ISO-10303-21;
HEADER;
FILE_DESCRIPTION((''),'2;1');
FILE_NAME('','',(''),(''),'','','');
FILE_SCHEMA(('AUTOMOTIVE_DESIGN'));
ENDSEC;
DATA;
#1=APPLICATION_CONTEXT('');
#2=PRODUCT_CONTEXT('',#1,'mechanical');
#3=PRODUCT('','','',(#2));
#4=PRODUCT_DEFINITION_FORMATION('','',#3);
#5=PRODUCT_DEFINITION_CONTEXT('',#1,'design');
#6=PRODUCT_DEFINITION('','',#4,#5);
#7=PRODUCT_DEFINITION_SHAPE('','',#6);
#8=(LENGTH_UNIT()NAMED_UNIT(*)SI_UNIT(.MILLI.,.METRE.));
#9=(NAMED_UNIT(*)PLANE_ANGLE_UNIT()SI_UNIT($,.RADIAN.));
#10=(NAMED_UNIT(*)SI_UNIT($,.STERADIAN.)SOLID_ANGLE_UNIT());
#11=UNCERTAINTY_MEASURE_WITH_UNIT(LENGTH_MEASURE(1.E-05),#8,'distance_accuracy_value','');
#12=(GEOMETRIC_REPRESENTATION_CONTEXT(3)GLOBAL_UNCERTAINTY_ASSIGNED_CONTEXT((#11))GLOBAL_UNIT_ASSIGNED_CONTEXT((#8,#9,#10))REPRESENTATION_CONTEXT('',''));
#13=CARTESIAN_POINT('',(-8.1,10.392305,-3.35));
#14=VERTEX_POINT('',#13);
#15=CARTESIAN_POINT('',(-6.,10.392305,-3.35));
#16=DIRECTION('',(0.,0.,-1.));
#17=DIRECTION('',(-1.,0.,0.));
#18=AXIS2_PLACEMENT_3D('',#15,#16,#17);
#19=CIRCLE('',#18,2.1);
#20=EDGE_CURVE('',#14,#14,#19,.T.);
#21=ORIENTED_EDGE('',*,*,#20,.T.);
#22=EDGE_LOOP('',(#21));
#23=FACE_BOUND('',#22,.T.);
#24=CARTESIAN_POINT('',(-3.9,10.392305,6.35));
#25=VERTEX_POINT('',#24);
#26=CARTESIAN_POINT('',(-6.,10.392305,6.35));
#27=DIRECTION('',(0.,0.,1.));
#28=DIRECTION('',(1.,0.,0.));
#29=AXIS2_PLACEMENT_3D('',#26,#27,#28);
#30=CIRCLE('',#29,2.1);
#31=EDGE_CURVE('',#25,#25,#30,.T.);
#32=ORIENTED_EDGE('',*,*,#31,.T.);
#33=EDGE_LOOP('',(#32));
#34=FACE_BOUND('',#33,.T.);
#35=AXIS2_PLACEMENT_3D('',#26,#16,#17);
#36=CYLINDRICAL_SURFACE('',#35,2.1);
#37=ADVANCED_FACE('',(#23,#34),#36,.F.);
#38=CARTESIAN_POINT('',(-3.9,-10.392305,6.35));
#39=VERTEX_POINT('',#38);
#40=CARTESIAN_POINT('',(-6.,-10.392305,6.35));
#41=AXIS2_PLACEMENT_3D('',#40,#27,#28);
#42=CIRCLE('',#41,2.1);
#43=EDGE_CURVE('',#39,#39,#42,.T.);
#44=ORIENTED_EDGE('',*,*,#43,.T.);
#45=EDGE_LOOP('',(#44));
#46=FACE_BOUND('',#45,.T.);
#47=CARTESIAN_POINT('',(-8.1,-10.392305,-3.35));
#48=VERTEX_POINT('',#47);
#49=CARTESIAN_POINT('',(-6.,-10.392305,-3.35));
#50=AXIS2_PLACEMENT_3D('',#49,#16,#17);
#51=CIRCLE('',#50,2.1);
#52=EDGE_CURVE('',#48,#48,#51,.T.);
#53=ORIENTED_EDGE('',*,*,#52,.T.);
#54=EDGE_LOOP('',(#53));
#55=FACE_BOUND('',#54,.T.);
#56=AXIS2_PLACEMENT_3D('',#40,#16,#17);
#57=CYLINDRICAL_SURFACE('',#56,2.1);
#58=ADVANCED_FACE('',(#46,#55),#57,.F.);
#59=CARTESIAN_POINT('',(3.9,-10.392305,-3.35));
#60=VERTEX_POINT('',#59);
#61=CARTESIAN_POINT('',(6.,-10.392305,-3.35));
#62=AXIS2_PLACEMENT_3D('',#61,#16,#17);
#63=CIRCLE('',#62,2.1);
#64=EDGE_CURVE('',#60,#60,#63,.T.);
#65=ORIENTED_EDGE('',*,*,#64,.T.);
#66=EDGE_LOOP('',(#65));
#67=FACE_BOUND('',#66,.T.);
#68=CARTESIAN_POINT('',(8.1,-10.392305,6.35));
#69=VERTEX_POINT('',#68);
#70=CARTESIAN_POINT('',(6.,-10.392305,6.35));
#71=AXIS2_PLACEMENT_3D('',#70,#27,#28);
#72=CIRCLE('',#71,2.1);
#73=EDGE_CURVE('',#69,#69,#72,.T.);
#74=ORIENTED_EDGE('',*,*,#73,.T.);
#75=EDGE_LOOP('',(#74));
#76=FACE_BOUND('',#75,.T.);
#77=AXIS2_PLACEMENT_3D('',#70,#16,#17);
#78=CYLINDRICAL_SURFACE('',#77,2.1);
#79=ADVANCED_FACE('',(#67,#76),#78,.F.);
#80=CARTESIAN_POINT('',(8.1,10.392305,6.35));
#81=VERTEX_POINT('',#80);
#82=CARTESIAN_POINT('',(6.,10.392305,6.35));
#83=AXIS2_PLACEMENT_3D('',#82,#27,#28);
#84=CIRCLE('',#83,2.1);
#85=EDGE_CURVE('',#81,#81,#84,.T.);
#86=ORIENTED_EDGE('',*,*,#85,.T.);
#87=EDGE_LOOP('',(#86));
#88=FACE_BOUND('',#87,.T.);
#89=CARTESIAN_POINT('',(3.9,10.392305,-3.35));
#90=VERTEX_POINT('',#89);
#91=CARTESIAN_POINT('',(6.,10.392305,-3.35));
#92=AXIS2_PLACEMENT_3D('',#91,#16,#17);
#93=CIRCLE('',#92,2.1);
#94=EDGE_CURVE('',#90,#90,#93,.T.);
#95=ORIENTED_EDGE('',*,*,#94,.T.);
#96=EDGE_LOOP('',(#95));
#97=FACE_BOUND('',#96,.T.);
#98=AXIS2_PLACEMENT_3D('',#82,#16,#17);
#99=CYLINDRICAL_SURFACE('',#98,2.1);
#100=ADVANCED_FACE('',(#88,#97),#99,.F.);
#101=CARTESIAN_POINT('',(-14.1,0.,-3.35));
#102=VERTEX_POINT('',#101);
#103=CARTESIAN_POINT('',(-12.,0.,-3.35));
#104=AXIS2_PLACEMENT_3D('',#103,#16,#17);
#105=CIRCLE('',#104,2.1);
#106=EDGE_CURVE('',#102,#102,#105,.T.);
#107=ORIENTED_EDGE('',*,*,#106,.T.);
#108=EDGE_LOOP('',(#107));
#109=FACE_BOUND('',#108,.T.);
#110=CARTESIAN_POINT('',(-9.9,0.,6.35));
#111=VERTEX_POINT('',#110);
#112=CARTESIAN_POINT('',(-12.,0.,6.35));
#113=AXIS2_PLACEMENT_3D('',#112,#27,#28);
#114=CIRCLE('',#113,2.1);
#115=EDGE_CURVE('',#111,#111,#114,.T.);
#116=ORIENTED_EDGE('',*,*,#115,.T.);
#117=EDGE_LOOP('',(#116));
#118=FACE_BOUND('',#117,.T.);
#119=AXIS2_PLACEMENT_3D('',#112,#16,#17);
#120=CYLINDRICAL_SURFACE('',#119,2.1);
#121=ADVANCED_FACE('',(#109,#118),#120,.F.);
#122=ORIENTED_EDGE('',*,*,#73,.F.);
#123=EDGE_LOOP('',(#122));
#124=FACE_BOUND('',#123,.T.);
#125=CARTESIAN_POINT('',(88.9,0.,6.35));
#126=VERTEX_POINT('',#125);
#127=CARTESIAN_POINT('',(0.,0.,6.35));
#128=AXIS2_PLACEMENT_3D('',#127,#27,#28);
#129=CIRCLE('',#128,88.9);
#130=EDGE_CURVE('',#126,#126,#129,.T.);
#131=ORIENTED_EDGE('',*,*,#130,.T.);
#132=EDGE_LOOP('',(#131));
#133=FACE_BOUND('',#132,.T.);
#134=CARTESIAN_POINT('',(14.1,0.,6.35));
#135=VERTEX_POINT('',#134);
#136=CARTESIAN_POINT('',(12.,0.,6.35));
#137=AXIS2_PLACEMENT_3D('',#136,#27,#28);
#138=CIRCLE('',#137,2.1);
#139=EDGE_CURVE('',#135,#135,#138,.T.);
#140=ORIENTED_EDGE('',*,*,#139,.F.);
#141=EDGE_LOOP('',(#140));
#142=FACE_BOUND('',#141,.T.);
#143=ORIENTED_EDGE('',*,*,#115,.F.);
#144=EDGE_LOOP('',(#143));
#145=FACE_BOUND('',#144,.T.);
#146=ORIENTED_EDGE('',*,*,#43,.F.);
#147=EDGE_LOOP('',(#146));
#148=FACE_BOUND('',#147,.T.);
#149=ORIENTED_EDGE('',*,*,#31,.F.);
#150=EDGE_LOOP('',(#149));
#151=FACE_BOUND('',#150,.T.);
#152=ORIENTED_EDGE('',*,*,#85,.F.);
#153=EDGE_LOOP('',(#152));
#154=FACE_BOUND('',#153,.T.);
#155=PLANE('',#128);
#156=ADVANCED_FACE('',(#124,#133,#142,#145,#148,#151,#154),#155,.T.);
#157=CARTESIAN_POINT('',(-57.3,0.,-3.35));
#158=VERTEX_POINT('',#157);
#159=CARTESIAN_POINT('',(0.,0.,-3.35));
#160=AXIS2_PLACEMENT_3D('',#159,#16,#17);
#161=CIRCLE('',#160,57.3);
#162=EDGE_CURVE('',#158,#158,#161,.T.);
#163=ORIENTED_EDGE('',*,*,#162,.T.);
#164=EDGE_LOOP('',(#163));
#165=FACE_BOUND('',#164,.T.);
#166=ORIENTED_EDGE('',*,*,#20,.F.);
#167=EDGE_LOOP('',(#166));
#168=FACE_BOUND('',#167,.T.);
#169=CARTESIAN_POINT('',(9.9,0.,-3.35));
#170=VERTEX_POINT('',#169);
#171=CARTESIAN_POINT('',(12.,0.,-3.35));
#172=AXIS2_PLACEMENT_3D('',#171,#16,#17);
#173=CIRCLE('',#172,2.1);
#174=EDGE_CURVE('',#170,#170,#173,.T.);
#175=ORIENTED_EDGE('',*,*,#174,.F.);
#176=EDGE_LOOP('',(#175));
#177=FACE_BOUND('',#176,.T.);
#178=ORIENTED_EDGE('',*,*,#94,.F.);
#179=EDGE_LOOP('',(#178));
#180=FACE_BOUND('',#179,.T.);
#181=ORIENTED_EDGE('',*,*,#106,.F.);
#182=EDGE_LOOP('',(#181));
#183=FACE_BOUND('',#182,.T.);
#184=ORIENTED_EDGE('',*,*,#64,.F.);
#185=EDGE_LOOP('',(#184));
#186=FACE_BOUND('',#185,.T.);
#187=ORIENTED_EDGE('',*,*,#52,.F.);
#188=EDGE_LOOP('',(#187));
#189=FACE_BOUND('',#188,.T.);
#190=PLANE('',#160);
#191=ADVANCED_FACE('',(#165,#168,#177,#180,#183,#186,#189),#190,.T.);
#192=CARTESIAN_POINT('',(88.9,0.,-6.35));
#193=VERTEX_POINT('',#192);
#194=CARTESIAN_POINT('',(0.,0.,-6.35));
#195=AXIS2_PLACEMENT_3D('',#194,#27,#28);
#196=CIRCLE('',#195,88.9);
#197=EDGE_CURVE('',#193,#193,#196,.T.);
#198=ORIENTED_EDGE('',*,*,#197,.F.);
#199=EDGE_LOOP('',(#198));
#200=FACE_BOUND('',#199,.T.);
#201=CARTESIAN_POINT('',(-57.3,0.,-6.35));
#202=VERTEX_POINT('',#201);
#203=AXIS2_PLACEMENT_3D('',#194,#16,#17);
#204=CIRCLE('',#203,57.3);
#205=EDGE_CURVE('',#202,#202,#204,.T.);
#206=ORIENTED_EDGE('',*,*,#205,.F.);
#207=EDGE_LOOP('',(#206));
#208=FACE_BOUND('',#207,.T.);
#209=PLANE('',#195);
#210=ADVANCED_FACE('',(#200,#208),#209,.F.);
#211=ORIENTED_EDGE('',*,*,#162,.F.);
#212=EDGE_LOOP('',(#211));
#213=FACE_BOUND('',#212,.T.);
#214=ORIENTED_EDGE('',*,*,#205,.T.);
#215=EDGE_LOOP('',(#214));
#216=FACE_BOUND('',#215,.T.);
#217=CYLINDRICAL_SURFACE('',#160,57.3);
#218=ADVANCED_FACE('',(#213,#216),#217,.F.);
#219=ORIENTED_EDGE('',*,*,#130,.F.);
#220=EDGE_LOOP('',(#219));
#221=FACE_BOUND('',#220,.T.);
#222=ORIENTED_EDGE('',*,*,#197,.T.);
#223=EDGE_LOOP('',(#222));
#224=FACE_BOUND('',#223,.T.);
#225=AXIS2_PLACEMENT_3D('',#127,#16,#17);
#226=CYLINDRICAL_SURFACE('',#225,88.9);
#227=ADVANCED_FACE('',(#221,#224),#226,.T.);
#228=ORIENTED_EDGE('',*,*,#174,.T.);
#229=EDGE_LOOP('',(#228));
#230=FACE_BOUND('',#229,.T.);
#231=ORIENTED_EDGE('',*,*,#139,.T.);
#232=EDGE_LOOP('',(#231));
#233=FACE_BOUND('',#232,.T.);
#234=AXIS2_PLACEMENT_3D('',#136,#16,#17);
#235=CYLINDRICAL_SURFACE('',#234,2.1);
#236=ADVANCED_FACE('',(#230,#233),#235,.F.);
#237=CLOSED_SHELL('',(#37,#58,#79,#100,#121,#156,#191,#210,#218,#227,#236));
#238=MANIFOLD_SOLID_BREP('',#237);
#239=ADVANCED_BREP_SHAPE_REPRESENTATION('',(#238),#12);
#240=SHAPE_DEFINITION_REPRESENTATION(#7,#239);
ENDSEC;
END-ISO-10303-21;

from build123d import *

# Parameters (mm, degrees)
SKETCH1_R           = 88.9
SKETCH1_R_2         = 2.1
BOSS_EXTRUDE1_DEPTH = 6.35
SKETCH2_R           = 57.3
CUT_EXTRUDE1_DEPTH  = 3


with BuildPart() as part:
    # Sketch1 → Boss-Extrude1 (new, symmetric)
    with BuildSketch(Plane.XY):
        Circle(SKETCH1_R)
        with Locations((-12, 0)):
            Circle(SKETCH1_R_2, mode=Mode.SUBTRACT)
        with Locations((-6, 10.392304845)):
            Circle(SKETCH1_R_2, mode=Mode.SUBTRACT)
        with Locations((6, 10.392304845)):
            Circle(SKETCH1_R_2, mode=Mode.SUBTRACT)
        with Locations((12, 0)):
            Circle(SKETCH1_R_2, mode=Mode.SUBTRACT)
        with Locations((6, -10.392304845)):
            Circle(SKETCH1_R_2, mode=Mode.SUBTRACT)
        with Locations((-6, -10.392304845)):
            Circle(SKETCH1_R_2, mode=Mode.SUBTRACT)
    extrude(amount=BOSS_EXTRUDE1_DEPTH, both=True)

    # Sketch2 → Cut-Extrude1 (cut)
    with BuildSketch(Plane(origin=(0, 0, -6.35), x_dir=(-1, 0, 0), z_dir=(0, 0, -1))):
        Circle(SKETCH2_R)
    extrude(amount=-CUT_EXTRUDE1_DEPTH, mode=Mode.SUBTRACT)


solid = part.part
